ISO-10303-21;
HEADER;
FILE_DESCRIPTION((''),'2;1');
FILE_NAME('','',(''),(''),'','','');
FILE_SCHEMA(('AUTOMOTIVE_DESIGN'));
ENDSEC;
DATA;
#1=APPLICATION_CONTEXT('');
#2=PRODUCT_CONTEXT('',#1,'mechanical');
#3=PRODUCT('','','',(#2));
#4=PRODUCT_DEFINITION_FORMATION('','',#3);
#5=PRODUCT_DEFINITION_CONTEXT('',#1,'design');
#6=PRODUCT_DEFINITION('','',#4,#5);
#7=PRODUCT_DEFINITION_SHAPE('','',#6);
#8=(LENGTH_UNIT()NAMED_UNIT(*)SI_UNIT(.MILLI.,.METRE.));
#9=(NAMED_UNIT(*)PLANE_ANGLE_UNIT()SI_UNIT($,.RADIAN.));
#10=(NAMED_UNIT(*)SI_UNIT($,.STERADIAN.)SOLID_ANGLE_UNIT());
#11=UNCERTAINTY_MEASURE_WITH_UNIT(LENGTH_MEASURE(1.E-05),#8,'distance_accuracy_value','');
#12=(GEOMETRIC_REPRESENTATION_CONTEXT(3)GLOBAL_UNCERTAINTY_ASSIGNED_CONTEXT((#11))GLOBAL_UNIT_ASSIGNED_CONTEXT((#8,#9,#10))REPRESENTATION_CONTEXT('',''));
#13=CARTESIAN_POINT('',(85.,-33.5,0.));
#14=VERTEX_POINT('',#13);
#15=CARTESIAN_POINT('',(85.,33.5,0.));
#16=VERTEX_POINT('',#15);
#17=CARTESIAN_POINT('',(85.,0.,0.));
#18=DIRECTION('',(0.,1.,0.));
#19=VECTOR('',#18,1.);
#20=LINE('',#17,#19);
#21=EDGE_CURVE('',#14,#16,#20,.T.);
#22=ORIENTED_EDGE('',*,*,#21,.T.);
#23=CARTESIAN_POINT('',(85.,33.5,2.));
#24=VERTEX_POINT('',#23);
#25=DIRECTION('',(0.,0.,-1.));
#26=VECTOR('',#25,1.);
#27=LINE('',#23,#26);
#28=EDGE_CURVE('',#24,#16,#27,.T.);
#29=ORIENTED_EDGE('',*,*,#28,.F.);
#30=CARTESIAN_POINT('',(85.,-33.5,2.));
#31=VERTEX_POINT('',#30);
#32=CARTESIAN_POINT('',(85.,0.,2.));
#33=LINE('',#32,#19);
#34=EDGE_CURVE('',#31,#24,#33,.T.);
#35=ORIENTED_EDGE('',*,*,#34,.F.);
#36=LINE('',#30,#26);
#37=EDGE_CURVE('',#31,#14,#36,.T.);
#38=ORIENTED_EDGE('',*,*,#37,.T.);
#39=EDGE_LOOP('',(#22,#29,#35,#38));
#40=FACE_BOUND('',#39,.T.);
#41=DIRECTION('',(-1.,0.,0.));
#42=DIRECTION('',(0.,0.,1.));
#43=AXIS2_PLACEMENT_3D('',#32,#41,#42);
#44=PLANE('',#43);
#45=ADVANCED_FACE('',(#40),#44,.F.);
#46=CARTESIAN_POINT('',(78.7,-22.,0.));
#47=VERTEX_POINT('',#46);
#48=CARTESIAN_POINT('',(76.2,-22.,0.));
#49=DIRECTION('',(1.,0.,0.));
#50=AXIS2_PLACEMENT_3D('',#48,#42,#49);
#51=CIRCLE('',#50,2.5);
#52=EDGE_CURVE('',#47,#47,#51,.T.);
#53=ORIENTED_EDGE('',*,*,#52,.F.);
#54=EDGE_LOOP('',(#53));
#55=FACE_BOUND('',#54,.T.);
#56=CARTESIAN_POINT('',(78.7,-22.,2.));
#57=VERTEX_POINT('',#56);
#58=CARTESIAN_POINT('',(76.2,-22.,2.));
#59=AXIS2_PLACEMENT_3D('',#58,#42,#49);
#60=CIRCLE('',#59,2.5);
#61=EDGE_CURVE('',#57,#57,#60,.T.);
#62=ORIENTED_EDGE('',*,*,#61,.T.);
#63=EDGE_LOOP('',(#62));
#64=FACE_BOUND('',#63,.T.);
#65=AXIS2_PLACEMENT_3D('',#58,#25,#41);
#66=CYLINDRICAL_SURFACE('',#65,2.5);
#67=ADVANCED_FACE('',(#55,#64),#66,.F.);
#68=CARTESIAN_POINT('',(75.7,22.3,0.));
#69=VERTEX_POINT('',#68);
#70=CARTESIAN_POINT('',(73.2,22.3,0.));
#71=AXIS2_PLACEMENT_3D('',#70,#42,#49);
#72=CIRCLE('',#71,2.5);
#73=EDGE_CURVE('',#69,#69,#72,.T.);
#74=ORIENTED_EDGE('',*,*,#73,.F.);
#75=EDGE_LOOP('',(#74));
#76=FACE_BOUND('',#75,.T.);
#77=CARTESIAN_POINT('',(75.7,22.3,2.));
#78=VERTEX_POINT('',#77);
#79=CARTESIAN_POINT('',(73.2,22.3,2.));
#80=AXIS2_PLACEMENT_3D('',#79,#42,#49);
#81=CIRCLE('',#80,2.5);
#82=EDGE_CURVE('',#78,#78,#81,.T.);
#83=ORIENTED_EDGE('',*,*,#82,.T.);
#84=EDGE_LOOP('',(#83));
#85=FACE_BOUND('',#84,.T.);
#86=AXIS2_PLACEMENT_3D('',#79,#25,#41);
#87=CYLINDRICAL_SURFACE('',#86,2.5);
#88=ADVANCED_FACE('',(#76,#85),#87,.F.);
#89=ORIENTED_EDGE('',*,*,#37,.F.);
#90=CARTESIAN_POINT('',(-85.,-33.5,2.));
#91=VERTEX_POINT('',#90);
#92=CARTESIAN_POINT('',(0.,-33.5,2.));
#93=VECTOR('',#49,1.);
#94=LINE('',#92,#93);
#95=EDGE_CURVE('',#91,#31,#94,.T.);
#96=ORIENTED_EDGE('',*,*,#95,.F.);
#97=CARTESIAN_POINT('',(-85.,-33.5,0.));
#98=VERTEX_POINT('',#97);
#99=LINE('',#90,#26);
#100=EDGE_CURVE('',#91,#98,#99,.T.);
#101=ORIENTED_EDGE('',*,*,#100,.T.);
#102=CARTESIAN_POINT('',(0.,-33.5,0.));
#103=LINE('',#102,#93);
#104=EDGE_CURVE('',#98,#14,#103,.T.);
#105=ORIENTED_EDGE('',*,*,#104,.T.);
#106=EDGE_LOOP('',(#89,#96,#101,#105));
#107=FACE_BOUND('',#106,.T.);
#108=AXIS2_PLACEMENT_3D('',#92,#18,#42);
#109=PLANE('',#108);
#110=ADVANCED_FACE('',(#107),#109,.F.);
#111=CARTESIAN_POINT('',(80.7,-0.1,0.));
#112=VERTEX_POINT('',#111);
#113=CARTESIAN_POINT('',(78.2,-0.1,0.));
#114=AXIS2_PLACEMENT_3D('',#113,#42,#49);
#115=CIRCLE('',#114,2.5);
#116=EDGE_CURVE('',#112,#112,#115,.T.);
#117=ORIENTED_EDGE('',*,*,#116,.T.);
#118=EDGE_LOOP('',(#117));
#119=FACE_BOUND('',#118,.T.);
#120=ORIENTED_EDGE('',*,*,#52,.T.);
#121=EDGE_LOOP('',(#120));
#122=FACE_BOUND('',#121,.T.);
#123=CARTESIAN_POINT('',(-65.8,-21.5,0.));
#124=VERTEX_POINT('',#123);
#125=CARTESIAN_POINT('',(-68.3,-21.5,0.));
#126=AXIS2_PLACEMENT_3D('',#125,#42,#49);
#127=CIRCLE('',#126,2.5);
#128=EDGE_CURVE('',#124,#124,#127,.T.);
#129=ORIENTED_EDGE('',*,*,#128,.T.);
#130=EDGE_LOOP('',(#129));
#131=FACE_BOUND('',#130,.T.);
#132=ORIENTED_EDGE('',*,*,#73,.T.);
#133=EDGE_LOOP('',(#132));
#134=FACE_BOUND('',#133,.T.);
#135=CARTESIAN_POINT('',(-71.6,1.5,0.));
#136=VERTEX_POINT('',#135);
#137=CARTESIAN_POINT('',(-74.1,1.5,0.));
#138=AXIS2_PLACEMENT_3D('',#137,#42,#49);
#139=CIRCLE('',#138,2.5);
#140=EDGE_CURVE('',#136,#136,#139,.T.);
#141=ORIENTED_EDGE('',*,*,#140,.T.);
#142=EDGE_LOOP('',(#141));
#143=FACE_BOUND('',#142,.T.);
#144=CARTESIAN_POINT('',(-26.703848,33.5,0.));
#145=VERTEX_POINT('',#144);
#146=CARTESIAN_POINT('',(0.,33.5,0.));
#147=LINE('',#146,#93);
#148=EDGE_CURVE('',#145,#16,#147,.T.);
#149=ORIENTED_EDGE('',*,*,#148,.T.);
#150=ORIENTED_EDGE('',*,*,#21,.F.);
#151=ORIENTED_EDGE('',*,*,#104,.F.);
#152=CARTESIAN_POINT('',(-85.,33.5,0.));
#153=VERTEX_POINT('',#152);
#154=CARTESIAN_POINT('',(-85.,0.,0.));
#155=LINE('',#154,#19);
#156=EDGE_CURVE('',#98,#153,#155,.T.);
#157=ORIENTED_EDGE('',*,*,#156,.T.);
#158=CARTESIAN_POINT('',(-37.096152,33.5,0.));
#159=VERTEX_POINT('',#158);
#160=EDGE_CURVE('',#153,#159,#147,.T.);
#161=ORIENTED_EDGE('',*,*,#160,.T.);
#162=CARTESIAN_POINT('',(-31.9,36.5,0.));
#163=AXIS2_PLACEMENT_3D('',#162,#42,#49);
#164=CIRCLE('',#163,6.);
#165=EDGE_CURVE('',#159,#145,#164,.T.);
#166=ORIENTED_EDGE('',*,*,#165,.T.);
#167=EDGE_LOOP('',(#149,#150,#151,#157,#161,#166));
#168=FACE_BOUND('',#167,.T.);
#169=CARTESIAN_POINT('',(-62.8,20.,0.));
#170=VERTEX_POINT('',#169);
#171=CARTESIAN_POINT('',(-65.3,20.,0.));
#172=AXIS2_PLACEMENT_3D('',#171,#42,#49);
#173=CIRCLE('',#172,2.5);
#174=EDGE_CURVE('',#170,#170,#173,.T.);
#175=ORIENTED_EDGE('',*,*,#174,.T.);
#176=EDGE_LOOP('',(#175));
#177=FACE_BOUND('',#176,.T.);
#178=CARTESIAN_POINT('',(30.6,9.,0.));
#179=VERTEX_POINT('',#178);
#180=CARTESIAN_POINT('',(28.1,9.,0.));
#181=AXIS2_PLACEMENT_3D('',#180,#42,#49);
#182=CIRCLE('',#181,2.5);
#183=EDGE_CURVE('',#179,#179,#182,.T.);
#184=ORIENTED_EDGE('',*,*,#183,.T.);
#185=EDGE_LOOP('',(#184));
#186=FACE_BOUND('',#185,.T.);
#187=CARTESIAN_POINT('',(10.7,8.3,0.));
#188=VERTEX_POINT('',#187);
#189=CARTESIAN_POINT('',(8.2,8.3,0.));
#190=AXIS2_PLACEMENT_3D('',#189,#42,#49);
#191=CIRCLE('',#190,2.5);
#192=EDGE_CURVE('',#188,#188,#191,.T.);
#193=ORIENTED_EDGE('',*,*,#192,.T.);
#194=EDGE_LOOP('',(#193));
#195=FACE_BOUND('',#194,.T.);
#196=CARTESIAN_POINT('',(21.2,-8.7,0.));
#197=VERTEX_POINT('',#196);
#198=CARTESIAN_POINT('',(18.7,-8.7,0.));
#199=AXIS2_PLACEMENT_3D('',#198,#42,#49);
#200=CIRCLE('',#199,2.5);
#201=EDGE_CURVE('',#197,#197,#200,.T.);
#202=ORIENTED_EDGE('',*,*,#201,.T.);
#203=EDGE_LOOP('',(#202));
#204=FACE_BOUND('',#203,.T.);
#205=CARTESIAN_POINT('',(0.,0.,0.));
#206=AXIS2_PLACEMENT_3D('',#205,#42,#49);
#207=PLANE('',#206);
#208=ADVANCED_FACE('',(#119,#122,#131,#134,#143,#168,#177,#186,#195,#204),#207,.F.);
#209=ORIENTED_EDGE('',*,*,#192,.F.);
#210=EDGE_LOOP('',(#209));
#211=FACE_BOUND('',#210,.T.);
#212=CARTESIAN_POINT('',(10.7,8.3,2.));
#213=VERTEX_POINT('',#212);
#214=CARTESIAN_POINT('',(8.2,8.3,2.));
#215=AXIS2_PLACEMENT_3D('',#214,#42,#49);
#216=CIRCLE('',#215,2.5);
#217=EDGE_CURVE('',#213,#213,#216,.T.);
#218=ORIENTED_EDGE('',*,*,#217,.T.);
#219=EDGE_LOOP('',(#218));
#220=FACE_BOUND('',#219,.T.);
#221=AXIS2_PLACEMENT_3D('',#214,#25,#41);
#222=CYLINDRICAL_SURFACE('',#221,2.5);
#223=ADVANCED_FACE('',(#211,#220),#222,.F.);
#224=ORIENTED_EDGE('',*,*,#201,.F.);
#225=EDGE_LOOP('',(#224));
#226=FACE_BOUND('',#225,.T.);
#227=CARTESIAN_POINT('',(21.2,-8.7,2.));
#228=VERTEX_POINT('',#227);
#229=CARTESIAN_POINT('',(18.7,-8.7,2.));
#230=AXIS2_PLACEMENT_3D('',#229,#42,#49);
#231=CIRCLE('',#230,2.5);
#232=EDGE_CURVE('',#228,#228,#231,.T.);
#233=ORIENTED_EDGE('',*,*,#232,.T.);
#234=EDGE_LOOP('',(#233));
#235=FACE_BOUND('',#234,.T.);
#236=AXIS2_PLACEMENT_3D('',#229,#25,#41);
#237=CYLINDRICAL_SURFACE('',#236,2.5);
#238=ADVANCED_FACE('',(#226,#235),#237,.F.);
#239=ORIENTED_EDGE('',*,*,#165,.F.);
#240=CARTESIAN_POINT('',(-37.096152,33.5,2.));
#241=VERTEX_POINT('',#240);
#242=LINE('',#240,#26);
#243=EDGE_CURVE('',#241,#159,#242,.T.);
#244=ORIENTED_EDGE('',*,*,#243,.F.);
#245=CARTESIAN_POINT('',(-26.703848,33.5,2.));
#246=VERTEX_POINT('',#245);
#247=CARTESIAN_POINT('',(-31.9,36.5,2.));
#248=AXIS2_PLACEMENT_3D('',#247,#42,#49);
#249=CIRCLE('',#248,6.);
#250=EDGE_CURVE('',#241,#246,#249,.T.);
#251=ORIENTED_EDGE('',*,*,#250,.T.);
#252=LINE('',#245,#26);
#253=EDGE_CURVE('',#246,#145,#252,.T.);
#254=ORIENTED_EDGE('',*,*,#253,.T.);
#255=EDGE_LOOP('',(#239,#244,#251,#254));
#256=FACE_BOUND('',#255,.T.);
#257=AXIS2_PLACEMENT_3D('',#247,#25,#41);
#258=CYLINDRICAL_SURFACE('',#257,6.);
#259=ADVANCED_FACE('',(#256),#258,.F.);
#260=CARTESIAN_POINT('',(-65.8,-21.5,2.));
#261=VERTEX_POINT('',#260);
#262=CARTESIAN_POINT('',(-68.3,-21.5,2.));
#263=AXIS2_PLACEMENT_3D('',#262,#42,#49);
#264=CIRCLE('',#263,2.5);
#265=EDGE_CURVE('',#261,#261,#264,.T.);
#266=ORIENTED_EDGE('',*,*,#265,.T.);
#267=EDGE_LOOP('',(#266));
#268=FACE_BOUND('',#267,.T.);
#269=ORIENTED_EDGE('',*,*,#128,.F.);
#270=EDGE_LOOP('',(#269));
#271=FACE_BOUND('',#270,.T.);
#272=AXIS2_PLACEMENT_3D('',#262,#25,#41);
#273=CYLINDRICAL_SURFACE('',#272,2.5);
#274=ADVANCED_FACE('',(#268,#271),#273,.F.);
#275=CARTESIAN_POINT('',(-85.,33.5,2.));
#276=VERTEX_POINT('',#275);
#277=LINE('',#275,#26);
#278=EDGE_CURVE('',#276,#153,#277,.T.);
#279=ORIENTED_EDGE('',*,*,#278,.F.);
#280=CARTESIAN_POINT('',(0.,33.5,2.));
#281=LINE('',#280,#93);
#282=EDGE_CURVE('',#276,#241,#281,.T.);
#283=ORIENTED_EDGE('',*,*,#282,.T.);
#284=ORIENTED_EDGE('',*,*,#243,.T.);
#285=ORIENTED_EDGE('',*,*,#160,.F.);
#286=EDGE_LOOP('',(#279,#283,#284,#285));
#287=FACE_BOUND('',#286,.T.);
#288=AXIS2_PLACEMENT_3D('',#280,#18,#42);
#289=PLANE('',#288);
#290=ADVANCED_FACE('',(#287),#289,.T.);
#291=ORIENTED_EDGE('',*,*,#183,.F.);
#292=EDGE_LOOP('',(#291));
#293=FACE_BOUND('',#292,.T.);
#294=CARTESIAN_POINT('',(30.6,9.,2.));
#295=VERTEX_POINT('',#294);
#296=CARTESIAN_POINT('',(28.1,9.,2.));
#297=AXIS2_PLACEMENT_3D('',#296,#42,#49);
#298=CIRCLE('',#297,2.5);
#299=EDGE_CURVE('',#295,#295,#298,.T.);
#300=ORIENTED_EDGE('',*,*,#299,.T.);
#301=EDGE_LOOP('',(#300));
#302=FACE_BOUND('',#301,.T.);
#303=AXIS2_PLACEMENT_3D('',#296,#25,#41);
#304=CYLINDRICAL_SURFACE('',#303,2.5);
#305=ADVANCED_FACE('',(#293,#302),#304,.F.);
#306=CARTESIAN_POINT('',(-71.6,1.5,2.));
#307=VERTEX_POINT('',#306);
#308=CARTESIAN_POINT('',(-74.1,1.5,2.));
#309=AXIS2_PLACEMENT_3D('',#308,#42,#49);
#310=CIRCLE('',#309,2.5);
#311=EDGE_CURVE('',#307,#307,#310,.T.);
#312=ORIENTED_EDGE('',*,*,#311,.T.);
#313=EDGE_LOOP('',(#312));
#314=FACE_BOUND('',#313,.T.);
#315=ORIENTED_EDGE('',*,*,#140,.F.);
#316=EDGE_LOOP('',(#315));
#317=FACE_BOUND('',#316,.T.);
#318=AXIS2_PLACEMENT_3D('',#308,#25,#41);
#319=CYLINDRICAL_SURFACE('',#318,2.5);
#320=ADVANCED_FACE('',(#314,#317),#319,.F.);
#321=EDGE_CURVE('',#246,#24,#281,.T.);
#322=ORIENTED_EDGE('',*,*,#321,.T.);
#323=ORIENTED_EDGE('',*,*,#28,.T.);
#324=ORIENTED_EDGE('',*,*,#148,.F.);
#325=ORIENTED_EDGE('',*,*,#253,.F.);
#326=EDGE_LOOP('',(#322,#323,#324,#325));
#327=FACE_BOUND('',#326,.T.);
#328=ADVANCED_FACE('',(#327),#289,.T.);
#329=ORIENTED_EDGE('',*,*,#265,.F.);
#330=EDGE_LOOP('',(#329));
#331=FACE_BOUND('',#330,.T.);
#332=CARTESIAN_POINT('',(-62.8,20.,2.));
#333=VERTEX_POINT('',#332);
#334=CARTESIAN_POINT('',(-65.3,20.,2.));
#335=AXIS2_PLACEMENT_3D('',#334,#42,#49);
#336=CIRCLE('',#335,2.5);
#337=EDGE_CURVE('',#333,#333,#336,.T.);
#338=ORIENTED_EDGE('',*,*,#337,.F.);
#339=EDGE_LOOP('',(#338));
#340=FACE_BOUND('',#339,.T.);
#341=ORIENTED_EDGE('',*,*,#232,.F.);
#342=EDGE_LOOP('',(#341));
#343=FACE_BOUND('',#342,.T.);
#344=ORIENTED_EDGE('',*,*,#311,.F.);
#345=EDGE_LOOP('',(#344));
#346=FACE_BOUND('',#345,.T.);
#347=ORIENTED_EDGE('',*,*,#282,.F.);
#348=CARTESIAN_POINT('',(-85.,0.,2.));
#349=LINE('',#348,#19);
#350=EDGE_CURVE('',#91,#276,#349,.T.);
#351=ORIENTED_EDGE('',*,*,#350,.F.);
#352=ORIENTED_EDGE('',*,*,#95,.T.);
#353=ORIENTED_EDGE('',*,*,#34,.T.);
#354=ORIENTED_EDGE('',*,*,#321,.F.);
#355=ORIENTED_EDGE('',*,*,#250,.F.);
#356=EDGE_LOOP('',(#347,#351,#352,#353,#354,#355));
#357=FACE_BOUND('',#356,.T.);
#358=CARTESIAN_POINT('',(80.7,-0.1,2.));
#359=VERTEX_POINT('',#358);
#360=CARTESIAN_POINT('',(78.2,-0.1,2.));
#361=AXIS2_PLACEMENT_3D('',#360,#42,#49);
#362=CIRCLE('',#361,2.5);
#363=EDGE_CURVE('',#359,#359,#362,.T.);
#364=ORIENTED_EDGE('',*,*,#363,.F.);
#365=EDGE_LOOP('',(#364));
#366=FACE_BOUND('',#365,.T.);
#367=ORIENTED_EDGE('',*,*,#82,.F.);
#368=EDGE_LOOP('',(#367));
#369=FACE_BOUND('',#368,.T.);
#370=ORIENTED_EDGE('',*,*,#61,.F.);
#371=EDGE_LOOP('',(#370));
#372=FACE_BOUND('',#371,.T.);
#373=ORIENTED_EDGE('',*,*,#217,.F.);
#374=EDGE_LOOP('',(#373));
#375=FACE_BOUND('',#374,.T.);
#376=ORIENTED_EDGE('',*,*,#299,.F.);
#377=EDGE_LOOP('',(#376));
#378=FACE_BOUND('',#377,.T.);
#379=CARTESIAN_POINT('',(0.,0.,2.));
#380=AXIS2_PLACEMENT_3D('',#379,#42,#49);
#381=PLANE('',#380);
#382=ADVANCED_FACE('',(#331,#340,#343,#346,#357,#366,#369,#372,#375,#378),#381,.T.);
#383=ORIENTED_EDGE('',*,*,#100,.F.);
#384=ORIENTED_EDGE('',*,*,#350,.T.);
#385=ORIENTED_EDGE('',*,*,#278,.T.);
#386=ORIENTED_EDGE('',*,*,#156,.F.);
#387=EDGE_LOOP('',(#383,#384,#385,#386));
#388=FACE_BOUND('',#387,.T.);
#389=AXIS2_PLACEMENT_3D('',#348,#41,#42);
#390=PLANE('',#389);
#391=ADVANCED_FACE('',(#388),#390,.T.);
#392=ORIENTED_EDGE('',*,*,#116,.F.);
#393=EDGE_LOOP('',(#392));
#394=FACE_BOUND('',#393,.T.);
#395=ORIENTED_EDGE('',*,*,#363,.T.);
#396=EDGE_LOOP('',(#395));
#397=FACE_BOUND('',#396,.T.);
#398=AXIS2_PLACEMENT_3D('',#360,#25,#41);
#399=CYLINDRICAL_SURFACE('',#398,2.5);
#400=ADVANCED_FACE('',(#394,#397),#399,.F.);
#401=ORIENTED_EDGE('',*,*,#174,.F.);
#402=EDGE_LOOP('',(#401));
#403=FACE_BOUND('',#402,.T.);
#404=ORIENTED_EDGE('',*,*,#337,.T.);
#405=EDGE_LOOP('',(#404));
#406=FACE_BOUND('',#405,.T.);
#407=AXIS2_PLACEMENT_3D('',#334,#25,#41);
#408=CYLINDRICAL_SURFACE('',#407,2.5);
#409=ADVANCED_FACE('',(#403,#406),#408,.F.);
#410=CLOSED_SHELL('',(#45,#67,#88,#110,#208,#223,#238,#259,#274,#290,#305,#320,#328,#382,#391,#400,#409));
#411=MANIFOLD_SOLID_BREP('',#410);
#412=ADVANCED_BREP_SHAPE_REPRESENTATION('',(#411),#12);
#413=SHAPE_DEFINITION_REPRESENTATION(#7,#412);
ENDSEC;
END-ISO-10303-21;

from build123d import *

# Parameters (mm, degrees)
SKETCH1_R           = 2.5
BOSS_EXTRUDE1_DEPTH = 2


with BuildPart() as part:
    # Sketch1 → Boss-Extrude1 (new body)
    with BuildSketch(Plane.XY):
        with BuildLine():
            Line((-85, 33.5), (-85, -33.5))
            Line((-85, -33.5), (85, -33.5))
            Line((85, -33.5), (85, 33.5))
            Line((85, 33.5), (-26.703847577, 33.5))
            ThreePointArc((-26.703847577, 33.5), (-31.9, 30.5), (-37.096152423, 33.5))
            Line((-37.096152423, 33.5), (-85, 33.5))
        make_face()
        with Locations((-68.3, -21.5)):
            Circle(SKETCH1_R, mode=Mode.SUBTRACT)
        with Locations((-74.1, 1.5)):
            Circle(SKETCH1_R, mode=Mode.SUBTRACT)
        with Locations((76.2, -22)):
            Circle(SKETCH1_R, mode=Mode.SUBTRACT)
        with Locations((18.7, -8.7)):
            Circle(SKETCH1_R, mode=Mode.SUBTRACT)
        with Locations((78.2, -0.1)):
            Circle(SKETCH1_R, mode=Mode.SUBTRACT)
        with Locations((-65.3, 20)):
            Circle(SKETCH1_R, mode=Mode.SUBTRACT)
        with Locations((8.2, 8.3)):
            Circle(SKETCH1_R, mode=Mode.SUBTRACT)
        with Locations((28.1, 9)):
            Circle(SKETCH1_R, mode=Mode.SUBTRACT)
        with Locations((73.2, 22.3)):
            Circle(SKETCH1_R, mode=Mode.SUBTRACT)
    extrude(amount=BOSS_EXTRUDE1_DEPTH)


solid = part.part
